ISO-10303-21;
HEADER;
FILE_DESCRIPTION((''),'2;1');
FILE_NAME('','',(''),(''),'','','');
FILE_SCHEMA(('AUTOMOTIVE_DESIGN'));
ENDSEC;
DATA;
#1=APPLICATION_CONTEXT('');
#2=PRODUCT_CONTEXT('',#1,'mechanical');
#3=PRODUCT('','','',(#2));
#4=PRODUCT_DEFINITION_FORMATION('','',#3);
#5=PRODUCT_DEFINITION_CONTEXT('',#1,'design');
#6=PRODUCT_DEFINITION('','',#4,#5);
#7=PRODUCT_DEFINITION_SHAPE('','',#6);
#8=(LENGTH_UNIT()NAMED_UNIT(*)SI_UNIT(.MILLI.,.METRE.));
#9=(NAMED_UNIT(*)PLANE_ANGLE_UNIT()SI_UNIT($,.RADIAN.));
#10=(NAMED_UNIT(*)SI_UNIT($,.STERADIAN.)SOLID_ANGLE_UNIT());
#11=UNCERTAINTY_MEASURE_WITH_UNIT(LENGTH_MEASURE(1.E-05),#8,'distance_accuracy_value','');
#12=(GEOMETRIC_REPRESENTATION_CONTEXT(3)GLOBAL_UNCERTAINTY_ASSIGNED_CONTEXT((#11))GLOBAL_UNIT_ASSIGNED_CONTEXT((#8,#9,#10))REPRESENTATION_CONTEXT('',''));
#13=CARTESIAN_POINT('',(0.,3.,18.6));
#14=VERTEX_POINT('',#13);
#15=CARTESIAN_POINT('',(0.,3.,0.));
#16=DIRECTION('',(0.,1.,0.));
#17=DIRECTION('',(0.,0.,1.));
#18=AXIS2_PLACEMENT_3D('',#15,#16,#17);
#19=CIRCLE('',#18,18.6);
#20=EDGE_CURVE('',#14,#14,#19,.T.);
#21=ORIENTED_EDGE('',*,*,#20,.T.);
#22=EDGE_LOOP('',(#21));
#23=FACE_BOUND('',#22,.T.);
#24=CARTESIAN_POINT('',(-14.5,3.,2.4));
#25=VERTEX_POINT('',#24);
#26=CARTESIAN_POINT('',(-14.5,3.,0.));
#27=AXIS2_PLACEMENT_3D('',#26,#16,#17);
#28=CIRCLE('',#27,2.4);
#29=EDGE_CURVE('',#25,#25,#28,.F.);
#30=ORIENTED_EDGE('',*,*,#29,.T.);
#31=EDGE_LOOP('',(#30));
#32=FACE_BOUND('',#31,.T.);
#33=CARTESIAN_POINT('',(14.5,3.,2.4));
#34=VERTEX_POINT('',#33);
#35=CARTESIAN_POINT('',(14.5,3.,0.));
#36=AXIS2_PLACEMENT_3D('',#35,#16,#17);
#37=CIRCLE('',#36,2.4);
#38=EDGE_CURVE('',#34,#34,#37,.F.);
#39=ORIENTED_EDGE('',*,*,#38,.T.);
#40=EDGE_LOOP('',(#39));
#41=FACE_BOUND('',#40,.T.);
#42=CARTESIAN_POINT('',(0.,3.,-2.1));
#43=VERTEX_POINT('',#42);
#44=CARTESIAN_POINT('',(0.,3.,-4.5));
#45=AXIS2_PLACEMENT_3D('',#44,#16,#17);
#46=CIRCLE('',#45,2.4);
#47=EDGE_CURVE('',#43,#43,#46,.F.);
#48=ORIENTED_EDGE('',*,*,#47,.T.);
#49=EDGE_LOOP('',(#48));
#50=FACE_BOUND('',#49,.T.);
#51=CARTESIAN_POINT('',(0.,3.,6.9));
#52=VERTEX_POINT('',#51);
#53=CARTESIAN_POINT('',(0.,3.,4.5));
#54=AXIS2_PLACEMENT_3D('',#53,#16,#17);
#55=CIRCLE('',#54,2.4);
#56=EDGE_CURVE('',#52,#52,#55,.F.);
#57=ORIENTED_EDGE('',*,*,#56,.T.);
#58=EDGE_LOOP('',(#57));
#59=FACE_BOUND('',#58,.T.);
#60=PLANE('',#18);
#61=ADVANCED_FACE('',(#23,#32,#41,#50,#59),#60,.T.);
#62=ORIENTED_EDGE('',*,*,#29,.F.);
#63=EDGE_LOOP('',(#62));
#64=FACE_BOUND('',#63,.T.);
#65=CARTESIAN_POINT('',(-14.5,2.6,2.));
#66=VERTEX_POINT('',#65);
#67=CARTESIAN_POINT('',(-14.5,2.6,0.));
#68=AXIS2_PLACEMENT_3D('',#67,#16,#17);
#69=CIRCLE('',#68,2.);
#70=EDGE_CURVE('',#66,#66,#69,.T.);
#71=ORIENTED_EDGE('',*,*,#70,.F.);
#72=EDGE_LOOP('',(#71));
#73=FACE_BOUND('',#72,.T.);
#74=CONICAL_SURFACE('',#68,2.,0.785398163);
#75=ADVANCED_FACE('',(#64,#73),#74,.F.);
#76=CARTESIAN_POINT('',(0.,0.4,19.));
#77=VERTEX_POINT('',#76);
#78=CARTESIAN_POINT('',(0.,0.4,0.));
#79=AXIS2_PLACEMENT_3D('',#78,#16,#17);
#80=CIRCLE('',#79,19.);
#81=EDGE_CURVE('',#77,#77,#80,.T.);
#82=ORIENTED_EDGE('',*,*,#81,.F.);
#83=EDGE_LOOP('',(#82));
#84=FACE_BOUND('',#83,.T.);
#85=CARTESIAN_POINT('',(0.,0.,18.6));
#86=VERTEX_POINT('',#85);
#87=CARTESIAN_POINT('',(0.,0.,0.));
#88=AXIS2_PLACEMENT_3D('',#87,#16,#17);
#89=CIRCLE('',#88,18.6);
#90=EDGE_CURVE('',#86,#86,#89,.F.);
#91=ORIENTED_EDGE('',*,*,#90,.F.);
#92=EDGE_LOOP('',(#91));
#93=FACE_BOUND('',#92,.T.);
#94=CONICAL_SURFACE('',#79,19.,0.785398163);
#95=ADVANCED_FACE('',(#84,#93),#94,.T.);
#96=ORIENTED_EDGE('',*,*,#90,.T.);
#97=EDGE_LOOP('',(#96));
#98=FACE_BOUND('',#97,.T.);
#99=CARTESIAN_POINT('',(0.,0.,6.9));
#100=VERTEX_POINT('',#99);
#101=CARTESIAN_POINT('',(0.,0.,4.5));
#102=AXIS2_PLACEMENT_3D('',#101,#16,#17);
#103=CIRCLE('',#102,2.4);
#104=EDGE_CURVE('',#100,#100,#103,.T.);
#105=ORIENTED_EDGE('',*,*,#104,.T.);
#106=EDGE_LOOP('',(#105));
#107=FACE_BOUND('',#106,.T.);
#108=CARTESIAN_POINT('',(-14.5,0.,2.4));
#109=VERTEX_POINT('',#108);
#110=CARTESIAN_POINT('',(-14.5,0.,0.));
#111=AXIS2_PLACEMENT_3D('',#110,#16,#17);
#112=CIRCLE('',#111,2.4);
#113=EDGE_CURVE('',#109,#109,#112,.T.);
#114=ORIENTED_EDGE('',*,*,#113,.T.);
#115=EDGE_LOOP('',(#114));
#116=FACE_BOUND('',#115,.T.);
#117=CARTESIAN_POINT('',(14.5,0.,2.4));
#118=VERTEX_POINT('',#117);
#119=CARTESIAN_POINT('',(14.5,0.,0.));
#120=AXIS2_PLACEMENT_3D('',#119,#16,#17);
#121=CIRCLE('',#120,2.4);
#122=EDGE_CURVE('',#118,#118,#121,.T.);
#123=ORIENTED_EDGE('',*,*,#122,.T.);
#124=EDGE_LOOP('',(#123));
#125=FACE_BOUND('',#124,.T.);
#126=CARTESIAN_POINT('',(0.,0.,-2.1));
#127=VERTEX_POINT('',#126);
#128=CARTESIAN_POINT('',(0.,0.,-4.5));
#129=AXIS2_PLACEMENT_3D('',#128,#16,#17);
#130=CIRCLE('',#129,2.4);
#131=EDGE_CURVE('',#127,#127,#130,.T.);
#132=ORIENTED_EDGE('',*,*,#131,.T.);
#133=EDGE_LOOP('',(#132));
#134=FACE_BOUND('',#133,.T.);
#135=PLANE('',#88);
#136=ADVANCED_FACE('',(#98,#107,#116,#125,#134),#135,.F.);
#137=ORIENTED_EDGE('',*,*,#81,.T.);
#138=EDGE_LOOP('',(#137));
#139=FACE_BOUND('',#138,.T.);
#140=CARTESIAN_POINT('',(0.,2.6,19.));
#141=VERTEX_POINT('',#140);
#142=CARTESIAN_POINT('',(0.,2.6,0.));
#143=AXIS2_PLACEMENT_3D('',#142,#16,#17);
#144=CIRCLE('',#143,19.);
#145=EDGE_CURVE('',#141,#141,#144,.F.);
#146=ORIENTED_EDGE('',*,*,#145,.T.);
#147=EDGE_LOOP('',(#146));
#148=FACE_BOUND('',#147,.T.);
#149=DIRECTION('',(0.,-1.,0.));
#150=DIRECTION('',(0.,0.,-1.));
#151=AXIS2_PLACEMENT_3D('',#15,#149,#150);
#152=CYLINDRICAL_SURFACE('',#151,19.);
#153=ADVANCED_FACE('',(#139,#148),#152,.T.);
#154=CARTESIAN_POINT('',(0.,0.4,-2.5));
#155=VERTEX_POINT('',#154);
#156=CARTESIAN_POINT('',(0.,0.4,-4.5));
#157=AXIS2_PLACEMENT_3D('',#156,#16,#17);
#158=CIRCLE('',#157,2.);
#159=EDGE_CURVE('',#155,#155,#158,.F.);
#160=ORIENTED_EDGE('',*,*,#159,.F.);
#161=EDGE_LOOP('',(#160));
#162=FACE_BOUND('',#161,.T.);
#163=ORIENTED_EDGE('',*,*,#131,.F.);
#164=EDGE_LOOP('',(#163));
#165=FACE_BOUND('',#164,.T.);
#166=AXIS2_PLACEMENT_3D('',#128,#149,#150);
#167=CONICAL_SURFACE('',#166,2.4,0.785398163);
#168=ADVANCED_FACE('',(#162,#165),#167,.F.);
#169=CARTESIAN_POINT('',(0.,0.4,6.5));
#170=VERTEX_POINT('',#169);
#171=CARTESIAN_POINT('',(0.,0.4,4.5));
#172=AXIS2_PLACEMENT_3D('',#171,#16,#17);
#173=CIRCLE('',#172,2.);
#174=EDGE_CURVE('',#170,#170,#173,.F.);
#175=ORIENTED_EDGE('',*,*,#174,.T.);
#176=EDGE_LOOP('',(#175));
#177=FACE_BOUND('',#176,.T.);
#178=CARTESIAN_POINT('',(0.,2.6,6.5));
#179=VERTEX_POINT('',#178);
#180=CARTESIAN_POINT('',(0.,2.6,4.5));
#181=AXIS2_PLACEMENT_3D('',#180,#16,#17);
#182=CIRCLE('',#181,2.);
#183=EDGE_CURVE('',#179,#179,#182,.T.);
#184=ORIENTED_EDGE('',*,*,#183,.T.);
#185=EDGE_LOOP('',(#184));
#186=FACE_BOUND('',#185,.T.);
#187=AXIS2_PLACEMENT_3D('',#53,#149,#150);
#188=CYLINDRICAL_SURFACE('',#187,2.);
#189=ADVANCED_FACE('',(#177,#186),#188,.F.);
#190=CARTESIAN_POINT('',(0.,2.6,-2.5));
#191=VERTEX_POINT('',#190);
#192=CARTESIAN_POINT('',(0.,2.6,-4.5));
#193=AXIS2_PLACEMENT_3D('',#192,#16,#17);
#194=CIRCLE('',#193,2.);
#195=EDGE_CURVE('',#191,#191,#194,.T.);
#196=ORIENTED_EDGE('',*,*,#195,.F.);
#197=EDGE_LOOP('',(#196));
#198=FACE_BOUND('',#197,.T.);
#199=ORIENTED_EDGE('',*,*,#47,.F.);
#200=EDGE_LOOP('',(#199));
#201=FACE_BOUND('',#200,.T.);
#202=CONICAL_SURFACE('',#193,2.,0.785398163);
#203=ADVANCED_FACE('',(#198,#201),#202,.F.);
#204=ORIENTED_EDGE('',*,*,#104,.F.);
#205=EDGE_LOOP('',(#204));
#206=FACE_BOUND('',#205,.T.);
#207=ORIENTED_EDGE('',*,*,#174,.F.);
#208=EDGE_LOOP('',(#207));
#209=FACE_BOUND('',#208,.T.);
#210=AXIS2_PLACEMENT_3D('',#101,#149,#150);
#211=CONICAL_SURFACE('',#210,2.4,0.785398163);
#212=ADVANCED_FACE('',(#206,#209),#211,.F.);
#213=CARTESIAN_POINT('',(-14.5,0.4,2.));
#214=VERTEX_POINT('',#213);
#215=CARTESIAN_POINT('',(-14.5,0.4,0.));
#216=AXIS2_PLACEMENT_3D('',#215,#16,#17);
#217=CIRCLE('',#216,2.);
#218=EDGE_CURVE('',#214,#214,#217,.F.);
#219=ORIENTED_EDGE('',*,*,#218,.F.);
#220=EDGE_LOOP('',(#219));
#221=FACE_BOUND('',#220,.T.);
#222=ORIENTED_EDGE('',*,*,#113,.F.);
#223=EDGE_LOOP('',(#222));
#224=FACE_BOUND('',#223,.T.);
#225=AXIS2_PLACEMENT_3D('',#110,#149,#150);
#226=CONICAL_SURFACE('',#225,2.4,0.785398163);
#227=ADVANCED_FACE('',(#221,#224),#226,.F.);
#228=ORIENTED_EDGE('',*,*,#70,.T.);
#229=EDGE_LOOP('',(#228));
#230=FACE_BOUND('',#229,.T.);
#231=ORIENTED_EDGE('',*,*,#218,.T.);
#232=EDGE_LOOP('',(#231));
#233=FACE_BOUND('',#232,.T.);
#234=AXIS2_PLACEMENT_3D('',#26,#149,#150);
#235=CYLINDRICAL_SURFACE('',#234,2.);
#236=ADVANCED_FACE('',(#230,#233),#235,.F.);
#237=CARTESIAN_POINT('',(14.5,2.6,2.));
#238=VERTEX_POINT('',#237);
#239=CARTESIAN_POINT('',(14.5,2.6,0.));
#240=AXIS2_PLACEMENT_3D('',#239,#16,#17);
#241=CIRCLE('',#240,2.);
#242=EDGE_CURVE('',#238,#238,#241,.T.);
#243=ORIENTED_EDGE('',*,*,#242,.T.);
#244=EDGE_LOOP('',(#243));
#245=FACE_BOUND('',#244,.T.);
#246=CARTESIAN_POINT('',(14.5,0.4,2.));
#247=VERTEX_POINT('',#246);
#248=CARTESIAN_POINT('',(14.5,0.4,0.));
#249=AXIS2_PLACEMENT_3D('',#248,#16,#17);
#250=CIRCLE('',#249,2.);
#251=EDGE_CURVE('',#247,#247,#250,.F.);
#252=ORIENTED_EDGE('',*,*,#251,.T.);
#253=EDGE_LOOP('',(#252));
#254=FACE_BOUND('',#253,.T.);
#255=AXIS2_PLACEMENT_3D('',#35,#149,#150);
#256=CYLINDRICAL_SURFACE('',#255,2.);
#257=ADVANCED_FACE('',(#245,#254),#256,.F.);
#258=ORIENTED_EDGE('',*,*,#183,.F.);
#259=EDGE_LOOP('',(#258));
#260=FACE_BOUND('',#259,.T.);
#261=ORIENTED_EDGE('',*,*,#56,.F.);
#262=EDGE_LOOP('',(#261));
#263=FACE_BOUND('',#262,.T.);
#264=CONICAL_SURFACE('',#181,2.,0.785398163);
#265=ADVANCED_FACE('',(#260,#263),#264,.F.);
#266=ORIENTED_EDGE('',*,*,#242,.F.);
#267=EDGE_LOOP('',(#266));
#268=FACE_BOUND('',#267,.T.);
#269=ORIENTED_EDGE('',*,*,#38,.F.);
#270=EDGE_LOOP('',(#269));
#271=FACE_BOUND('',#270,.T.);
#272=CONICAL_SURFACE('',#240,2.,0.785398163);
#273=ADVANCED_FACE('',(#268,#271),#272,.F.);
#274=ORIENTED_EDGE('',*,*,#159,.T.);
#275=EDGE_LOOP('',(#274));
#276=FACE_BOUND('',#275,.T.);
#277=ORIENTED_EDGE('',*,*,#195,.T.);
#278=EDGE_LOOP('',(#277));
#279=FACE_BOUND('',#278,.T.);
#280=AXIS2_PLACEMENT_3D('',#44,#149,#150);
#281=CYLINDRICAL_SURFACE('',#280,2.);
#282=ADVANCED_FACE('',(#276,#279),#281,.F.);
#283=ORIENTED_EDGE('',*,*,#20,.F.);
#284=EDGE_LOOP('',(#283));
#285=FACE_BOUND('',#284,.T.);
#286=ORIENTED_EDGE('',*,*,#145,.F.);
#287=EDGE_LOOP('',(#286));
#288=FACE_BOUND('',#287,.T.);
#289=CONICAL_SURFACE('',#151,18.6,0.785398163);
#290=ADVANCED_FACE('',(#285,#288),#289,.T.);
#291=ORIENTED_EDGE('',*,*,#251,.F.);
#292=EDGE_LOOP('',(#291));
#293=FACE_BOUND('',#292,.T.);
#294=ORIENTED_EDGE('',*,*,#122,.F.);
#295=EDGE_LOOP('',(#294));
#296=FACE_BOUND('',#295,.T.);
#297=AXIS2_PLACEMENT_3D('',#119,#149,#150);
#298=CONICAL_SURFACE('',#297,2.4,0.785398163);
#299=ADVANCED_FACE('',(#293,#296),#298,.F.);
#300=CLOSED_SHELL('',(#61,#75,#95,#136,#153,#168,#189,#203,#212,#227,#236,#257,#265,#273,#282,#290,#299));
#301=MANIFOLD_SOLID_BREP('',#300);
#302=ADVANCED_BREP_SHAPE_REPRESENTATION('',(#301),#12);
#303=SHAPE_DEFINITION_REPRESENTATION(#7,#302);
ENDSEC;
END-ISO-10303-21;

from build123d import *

# Parameters (mm, degrees)
SKETCH1_R           = 19
SKETCH1_R_2         = 2
BOSS_EXTRUDE1_DEPTH = 3
CHAMFER1_SIZE       = 0.4


with BuildPart() as part:
    # Sketch1 → Boss-Extrude1 (new body)
    with BuildSketch(Plane(origin=(0, 0, 0), x_dir=(1, 0, 0), z_dir=(0, 1, 0))):
        Circle(SKETCH1_R)
        with Locations((-14.5, 0)):
            Circle(SKETCH1_R_2, mode=Mode.SUBTRACT)
        with Locations((14.5, 0)):
            Circle(SKETCH1_R_2, mode=Mode.SUBTRACT)
        with Locations((0, 4.5)):
            Circle(SKETCH1_R_2, mode=Mode.SUBTRACT)
        with Locations((0, -4.5)):
            Circle(SKETCH1_R_2, mode=Mode.SUBTRACT)
    extrude(amount=BOSS_EXTRUDE1_DEPTH)

    # Chamfer1
    chamfer1_edges = [part.edges().sort_by_distance(p)[0] for p in [
        (-2, 0, -4.5),
        (-2, 3, -4.5),
        (-2, 0, 4.5),
        (-2, 3, 4.5),
        (-19, 0, 0),
        (-19, 3, 0),
        (-16.5, 0, 0),
        (-16.5, 3, 0),
        (12.5, 0, 0),
        (12.5, 3, 0),
    ]]
    chamfer(chamfer1_edges, length=CHAMFER1_SIZE)


solid = part.part
